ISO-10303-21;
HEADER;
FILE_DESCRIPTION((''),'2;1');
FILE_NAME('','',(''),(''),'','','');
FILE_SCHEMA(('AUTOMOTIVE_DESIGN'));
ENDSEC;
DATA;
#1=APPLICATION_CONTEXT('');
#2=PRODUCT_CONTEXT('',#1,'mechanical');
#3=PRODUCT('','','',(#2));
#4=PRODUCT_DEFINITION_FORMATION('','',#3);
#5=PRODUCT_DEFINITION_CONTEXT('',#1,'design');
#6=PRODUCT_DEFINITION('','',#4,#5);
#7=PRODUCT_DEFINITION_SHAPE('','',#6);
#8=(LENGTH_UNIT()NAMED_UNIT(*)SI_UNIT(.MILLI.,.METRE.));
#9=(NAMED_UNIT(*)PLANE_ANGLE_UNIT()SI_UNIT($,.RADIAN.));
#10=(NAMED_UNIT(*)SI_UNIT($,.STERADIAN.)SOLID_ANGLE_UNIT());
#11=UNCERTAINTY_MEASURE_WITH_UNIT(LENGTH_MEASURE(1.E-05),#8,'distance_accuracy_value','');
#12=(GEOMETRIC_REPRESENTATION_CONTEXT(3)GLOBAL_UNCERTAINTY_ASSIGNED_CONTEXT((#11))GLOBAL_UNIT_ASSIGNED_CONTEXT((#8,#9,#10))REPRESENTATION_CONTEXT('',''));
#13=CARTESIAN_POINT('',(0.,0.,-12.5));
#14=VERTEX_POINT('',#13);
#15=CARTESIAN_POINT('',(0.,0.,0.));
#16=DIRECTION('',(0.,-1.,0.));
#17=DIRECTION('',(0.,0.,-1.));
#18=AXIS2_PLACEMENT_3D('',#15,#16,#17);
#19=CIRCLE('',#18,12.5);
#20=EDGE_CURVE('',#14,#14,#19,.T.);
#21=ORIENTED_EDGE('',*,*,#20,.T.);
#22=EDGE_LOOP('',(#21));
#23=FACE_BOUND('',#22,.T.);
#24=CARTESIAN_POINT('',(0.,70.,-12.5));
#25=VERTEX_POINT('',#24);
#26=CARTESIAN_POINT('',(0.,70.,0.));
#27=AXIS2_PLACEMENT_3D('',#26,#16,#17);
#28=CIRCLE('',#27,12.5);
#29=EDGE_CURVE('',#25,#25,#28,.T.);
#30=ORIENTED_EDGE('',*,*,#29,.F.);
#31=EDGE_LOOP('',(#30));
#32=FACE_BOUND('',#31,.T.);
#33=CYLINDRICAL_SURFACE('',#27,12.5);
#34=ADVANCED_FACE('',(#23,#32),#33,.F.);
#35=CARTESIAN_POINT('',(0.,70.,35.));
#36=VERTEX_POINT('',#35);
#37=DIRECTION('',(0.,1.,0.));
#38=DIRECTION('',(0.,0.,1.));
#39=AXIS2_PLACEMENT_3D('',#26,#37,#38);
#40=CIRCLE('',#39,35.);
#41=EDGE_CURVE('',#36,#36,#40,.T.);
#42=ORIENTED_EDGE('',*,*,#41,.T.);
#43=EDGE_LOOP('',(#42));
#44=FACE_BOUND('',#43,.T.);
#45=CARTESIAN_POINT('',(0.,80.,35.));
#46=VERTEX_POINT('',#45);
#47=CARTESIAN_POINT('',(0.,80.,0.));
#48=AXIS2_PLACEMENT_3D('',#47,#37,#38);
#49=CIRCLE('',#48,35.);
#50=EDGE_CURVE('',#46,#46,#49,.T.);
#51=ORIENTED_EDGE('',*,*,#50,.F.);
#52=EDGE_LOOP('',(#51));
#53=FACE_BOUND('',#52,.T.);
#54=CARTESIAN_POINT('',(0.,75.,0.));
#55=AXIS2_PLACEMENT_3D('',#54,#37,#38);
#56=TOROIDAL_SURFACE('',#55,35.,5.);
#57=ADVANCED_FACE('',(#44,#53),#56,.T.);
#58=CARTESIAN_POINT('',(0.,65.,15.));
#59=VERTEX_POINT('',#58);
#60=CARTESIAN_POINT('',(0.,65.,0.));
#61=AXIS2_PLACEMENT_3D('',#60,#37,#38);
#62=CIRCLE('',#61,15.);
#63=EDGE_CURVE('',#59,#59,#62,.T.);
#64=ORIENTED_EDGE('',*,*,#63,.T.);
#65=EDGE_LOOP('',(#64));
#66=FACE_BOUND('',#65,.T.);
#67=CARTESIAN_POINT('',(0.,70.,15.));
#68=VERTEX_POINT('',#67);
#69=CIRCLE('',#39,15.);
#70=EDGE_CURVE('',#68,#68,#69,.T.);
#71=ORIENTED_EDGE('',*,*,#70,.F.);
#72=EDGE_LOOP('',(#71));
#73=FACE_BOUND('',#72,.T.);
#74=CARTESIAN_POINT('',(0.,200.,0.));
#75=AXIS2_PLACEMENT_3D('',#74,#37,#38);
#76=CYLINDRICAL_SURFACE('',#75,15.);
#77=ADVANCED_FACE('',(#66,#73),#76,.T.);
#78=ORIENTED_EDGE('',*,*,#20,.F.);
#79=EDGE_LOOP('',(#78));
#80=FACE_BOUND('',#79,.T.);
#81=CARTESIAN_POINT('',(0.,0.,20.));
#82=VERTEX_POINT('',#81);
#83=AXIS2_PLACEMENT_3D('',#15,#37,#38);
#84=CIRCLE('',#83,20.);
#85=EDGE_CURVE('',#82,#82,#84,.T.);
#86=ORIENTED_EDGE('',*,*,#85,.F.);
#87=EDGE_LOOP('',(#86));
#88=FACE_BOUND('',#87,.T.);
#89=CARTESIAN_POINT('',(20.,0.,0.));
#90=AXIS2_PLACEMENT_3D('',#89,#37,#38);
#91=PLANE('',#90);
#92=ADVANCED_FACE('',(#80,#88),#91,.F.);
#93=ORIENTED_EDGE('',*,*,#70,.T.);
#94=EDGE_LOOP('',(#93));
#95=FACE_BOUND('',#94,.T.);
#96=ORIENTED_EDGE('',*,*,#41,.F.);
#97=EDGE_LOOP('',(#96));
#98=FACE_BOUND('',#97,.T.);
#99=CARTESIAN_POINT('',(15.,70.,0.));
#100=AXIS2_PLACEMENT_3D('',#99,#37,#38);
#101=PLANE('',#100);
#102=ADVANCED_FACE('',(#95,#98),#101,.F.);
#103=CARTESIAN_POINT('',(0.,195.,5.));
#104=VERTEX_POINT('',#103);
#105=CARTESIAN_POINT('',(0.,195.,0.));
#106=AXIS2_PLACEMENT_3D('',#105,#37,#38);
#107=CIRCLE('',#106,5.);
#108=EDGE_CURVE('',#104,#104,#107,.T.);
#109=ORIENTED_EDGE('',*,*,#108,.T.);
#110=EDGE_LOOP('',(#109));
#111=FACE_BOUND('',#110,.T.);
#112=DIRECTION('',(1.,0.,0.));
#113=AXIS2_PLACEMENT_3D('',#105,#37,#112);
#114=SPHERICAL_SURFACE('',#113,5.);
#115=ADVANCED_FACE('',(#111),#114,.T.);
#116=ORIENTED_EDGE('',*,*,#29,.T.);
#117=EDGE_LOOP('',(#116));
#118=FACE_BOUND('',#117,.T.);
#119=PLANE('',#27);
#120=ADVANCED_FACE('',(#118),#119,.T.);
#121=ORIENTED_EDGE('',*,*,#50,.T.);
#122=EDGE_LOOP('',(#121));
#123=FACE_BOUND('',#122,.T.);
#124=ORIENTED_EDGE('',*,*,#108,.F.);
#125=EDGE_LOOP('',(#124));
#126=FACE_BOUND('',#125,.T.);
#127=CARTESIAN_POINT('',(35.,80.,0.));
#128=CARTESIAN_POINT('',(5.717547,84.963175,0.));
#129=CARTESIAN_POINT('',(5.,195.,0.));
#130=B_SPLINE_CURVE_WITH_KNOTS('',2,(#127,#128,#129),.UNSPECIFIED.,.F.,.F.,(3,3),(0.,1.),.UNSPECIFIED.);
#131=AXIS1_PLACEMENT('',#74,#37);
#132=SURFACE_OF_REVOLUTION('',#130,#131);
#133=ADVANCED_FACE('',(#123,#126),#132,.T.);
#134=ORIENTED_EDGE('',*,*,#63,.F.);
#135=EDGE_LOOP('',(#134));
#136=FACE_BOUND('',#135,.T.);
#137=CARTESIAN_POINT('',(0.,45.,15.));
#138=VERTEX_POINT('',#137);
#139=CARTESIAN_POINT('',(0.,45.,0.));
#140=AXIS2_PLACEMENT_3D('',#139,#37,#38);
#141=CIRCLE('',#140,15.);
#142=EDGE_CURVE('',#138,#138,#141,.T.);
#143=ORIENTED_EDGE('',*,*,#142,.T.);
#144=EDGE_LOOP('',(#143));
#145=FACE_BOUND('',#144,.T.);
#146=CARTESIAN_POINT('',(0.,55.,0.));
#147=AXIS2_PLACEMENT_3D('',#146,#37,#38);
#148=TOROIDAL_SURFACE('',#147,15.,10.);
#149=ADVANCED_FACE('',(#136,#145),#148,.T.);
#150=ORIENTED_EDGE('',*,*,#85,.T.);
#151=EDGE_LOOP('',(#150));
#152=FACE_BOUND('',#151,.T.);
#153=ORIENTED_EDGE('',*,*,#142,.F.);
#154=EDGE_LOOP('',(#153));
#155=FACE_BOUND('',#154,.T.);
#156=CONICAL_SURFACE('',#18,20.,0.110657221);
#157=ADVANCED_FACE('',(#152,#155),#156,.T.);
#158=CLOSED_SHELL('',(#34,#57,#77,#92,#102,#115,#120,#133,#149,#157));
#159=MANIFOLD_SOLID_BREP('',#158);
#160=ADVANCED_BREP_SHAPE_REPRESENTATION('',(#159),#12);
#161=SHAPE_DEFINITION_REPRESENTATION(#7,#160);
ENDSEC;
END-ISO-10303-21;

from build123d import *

# Parameters (mm, degrees)
SKETCH2_R          = 12.5
CUT_EXTRUDE1_DEPTH = 70


with BuildPart() as part:
    # Sketch1 → Revolve1 (revolve)
    with BuildSketch(Plane.XY, mode=Mode.PRIVATE) as revolve1_sk:
        with BuildLine():
            Line((15, 70), (35, 70))
            ThreePointArc((35, 70), (40, 75), (35, 80))
            add(Edge.make_bspline(
                [(5, 195), (5.717546725, 84.963174913), (35, 80)],
                knots=[0, 0, 0, 1, 1, 1], degree=2))
            ThreePointArc((5, 195), (3.535533906, 198.535533906), (0, 200))
            Line((0, 200), (0, 0))
            Line((0, 0), (20, 0))
            Line((20, 0), (15, 45))
            ThreePointArc((15, 45), (25, 55), (15, 65))
            Line((15, 65), (15, 70))
        make_face()
    revolve(revolve1_sk.sketch.rotate(Axis((0, 200, 0), (0, -1, 0)), 90), axis=Axis((0, 200, 0), (0, -1, 0)))

    # Sketch2 → Cut-Extrude1 (cut)
    with BuildSketch(Plane.XZ):
        with Locations(Location((0, 0, 0), (0, 0, 270))):
            Circle(SKETCH2_R)
    extrude(amount=-CUT_EXTRUDE1_DEPTH, mode=Mode.SUBTRACT)


solid = part.part
